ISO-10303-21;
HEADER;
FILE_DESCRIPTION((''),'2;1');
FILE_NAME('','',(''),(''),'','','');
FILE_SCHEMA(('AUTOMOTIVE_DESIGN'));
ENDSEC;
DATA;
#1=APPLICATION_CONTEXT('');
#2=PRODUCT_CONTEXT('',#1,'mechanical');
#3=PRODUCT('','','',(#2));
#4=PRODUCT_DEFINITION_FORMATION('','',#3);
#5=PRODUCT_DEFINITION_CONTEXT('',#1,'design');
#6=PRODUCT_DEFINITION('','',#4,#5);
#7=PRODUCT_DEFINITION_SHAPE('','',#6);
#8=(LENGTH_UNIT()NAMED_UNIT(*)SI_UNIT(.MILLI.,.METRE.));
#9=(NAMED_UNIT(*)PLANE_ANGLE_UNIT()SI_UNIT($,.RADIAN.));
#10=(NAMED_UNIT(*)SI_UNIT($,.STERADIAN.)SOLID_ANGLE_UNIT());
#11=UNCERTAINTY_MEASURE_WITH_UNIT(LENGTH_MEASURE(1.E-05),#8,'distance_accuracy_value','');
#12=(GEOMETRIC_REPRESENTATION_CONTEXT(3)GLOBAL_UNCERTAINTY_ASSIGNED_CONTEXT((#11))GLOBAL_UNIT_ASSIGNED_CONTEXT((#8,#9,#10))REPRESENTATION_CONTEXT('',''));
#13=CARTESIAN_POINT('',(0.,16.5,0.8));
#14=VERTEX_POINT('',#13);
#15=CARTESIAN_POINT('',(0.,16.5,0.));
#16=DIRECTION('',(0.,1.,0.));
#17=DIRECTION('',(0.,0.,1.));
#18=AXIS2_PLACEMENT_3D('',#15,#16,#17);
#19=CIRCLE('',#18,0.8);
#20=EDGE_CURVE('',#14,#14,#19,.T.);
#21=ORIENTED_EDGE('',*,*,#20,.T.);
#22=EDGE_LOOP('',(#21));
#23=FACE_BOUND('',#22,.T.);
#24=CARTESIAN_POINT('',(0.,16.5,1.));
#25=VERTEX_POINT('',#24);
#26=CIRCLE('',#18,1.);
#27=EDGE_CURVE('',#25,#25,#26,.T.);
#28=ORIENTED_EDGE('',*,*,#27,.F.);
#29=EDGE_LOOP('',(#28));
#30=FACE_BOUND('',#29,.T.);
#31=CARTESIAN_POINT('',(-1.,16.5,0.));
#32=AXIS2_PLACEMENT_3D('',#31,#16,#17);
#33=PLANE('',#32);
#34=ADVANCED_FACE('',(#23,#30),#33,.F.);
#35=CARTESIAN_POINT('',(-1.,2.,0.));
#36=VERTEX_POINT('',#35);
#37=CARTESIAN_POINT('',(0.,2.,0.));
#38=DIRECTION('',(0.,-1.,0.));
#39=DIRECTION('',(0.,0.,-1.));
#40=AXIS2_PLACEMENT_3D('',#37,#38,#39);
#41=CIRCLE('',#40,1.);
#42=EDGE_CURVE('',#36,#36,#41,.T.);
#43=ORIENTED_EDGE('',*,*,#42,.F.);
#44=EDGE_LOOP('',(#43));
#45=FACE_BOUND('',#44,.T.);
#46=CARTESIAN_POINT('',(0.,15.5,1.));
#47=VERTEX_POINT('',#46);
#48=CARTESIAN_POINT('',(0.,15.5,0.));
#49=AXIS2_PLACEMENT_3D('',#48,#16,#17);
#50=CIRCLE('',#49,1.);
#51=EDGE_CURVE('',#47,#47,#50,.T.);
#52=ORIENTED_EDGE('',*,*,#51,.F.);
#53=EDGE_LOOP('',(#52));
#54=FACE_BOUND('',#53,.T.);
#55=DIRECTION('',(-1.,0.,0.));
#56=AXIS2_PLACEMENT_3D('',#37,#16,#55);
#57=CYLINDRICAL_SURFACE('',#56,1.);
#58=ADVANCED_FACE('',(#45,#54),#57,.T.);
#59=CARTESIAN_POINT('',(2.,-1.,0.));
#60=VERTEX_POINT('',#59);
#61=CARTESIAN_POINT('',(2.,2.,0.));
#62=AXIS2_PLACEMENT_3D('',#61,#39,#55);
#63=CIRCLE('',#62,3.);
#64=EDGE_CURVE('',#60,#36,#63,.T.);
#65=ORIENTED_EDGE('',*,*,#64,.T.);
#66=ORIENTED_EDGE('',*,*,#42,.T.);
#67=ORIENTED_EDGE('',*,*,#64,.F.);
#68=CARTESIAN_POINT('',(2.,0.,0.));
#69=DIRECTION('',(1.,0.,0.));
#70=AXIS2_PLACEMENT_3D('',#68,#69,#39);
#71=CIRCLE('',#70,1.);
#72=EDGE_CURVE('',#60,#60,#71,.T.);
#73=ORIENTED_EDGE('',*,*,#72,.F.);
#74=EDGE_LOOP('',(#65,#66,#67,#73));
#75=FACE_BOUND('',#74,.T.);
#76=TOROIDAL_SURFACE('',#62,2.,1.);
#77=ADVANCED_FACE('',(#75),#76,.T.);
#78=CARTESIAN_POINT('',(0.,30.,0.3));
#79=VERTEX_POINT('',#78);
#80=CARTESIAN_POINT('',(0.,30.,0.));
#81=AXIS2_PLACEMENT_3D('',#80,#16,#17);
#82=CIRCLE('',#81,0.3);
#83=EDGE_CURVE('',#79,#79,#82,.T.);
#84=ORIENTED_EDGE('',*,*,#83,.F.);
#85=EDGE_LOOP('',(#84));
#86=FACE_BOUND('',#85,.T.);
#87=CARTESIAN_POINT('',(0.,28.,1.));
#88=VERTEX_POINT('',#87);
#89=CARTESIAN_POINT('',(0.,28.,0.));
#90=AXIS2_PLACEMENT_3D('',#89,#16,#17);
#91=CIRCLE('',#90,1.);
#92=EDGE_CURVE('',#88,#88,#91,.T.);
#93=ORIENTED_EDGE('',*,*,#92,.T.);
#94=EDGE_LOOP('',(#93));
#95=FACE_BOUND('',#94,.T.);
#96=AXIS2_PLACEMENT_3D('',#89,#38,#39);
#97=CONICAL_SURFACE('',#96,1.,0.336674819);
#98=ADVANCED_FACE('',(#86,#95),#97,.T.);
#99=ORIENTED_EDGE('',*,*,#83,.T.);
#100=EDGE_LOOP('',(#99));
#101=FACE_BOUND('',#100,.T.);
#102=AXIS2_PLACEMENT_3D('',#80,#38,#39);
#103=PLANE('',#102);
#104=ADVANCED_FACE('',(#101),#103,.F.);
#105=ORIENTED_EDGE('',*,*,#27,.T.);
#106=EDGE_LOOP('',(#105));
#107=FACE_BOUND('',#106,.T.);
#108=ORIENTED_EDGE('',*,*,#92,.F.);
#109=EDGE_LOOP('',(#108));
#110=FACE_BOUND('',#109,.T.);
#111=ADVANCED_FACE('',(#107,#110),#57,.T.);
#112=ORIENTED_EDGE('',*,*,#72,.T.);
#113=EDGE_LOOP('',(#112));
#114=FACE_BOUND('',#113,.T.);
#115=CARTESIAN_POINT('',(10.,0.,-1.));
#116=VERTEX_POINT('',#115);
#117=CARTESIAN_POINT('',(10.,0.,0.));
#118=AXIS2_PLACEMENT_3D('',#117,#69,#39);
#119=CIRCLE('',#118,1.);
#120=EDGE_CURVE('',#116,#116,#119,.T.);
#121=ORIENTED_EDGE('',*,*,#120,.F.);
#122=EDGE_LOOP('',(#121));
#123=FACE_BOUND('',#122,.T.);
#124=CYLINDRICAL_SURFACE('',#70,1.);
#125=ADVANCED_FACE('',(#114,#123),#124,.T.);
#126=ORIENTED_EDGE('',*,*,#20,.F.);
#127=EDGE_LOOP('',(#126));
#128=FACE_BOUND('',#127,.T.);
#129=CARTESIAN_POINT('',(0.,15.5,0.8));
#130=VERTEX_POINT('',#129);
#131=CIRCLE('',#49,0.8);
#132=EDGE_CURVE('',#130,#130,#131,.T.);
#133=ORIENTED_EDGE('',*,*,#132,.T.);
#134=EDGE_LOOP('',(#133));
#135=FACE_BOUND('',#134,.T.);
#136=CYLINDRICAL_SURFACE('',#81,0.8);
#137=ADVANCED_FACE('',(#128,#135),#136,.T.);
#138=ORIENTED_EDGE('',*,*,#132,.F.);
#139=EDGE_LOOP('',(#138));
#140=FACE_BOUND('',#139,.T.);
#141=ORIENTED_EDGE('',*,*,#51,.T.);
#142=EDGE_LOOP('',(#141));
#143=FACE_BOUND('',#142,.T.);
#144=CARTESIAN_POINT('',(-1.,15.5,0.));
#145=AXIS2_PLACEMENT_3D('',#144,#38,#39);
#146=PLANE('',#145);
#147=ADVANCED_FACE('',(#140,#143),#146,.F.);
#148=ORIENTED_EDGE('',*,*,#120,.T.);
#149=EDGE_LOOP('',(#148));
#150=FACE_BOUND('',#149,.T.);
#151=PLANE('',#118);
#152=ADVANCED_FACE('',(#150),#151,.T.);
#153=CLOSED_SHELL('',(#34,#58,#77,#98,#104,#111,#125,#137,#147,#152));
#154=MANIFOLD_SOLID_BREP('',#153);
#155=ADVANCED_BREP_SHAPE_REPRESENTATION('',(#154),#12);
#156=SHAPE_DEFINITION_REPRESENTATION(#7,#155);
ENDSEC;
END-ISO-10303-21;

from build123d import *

# Parameters (mm, degrees)
SKETCH2_R = 1
SKETCH3_W = 0.2
SKETCH3_H = 1


with BuildPart() as part:
    # Sweep1: sweep along a path in Sketch1
    with BuildLine(Plane.XY) as sweep1_path:
        Line((0, 30), (0, 2))
        ThreePointArc((0, 2), (0.585786438, 0.585786438), (2, 0))
        Line((2, 0), (10, 0))
    # Sketch2 → Sweep1 (sweep)
    with BuildSketch(Plane(origin=(10, 0, 0), x_dir=(0, 0, -1), z_dir=(1, 0, 0))):
        Circle(SKETCH2_R)
    sweep(path=sweep1_path.line)

    # Sketch3 → Cut-Revolve1 (revolve, cut)
    with BuildSketch(Plane.XY):
        Polygon((-0.3, 30), (-1, 28), (-1, 30), align=None)
        with Locations((-0.9, 16)):
            Rectangle(SKETCH3_W, SKETCH3_H)
    revolve(axis=Axis((0, 30, 0), (0, -1, 0)), mode=Mode.SUBTRACT)


solid = part.part
